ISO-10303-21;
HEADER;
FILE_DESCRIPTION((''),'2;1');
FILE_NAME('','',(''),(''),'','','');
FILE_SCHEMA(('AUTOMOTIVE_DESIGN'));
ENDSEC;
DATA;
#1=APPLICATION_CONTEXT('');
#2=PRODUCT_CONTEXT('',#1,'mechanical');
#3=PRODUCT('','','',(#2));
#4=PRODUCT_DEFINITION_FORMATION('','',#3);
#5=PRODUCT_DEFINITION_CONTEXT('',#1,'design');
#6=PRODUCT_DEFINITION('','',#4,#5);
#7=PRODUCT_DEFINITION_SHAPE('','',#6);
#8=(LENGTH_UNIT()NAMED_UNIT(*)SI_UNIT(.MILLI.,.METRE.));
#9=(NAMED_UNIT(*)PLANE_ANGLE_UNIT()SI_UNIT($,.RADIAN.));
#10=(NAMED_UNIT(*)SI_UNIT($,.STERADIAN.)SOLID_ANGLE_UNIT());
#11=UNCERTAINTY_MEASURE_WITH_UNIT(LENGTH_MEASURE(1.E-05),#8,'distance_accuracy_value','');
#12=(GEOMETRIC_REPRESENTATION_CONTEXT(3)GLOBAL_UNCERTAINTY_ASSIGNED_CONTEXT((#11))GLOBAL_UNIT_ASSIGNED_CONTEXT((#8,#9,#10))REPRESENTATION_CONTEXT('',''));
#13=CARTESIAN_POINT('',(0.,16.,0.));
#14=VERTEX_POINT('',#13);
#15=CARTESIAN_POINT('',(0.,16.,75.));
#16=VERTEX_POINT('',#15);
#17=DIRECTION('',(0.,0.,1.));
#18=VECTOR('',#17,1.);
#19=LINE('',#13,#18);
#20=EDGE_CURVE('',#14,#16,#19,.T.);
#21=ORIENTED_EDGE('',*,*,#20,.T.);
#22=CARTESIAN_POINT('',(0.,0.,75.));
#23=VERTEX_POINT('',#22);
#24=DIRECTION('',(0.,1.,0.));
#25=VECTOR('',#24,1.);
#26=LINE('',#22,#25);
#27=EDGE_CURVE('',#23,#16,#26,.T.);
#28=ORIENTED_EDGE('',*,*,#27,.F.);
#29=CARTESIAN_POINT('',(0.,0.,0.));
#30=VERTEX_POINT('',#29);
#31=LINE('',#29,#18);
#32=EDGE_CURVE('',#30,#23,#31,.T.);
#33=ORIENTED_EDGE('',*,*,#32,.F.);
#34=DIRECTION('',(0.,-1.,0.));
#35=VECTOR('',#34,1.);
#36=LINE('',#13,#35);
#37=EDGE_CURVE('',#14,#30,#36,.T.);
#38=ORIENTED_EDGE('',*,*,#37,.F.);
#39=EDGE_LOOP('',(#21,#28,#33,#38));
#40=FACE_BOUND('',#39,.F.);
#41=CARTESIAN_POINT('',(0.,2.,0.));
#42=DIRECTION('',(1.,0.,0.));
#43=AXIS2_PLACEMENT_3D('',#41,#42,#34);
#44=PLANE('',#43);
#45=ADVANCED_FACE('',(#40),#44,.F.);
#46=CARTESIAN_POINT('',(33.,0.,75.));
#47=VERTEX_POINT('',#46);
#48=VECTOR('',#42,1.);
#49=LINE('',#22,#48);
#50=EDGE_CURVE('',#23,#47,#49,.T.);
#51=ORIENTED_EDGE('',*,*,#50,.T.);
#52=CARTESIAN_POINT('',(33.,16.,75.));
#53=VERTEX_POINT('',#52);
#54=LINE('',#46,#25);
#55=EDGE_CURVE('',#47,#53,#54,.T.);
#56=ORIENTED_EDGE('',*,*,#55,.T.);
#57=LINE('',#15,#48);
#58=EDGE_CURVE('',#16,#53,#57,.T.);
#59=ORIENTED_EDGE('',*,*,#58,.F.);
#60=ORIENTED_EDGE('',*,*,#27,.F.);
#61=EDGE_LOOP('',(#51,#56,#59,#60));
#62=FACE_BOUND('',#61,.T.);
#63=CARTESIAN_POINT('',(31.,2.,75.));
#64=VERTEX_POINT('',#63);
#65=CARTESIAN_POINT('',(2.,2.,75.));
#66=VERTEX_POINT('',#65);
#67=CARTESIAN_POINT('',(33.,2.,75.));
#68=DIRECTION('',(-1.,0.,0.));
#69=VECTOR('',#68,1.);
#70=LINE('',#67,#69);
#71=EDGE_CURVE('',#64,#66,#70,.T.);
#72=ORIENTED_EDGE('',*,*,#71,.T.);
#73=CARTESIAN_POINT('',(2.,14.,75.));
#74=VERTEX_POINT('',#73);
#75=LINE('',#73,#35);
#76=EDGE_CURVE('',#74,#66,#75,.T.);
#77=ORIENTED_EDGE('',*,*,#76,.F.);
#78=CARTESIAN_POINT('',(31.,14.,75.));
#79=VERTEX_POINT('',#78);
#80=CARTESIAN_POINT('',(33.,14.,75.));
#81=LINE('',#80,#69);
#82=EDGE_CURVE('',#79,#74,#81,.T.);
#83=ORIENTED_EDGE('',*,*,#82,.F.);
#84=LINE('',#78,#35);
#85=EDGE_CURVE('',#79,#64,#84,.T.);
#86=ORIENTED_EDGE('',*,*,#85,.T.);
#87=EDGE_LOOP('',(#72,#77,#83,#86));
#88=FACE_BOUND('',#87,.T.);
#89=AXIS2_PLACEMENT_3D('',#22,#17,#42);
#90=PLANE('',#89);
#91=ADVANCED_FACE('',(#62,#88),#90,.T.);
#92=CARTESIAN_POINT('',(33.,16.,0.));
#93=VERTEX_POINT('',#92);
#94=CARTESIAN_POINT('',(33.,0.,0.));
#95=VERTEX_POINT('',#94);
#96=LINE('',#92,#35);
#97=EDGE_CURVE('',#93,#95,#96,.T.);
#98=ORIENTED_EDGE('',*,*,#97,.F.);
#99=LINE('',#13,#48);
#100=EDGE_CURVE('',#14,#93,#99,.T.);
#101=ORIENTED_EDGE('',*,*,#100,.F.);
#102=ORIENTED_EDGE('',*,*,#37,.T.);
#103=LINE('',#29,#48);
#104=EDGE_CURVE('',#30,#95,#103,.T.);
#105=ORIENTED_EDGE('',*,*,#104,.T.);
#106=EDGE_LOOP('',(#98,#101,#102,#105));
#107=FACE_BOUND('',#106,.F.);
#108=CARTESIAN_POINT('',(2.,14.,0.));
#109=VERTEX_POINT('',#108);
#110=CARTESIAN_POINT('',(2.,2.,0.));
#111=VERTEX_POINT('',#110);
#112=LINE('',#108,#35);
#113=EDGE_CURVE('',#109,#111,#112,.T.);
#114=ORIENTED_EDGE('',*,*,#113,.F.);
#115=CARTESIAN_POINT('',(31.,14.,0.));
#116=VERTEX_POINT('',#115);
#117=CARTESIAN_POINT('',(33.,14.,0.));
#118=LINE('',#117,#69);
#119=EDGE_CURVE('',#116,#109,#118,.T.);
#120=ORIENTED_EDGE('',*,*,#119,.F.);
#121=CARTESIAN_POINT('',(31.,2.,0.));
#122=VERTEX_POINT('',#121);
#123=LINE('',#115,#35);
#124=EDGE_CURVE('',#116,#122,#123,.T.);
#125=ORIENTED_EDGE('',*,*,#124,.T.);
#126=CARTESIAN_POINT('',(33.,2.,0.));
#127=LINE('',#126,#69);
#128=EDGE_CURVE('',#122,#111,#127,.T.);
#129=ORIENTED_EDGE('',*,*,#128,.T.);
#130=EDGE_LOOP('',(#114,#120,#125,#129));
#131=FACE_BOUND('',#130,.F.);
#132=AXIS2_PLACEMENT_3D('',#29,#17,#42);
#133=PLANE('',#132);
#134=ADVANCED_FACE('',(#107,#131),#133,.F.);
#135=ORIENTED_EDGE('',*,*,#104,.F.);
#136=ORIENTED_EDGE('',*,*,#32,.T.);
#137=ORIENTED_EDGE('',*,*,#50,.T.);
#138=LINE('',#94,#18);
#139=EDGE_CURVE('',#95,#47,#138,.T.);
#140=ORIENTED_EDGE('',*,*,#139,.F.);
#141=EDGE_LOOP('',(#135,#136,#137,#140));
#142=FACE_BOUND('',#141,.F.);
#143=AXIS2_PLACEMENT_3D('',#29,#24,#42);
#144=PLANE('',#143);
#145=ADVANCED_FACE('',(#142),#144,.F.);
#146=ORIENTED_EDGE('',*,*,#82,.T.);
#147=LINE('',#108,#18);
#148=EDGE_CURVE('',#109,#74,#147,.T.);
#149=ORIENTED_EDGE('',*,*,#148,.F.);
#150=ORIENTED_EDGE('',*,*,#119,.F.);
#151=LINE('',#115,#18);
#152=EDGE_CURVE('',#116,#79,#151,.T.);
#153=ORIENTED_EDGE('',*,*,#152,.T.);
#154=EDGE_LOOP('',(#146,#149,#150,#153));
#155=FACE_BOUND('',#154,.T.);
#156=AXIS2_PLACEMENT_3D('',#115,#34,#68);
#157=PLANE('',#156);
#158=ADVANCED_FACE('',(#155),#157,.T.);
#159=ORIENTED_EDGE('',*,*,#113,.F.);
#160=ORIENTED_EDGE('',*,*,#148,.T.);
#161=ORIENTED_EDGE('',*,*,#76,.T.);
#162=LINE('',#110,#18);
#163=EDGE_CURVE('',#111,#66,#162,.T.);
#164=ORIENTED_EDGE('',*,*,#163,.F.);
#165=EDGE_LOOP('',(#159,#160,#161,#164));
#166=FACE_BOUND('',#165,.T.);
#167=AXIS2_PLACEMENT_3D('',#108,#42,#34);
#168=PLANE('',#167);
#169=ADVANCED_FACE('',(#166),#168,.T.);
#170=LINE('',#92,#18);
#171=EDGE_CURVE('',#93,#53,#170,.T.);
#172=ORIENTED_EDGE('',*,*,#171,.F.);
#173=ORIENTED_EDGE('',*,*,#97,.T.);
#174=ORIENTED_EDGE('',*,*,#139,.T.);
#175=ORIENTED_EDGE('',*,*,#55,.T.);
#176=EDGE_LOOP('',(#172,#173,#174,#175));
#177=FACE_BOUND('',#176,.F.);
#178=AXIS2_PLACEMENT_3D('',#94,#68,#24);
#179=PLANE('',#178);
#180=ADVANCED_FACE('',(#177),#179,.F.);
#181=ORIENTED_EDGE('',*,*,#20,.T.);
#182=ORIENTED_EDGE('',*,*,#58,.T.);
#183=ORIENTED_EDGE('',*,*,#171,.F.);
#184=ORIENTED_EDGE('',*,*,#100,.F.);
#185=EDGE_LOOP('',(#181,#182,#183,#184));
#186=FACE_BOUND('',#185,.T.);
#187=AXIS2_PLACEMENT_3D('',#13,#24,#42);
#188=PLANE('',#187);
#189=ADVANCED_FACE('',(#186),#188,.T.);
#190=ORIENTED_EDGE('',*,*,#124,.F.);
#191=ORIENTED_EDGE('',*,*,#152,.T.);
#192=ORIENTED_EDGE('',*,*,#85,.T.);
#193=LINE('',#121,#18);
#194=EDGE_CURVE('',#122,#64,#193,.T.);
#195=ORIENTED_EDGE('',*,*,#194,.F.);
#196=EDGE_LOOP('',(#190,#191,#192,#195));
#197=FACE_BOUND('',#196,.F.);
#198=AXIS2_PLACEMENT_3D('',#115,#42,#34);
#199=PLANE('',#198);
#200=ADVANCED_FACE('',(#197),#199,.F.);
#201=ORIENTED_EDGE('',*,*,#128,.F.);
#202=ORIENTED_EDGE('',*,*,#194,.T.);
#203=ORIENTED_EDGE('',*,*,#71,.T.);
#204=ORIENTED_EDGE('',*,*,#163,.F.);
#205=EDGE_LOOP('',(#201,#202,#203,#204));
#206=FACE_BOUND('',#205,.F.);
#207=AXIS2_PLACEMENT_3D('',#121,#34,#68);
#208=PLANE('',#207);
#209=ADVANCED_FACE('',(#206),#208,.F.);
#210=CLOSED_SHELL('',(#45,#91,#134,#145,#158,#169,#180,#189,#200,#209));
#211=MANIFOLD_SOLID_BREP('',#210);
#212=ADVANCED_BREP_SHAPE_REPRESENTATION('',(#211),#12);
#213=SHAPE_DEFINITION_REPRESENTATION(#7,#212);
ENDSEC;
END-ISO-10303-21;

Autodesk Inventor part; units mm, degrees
ref_plane "YZ Plane" through (0, 0, 0) normal (1, 0, 0) x (0, 1, 0)
ref_plane "XZ Plane" through (0, 0, 0) normal (0, 1, 0) x (-1, 0, 0)
ref_plane "XY Plane" through (0, 0, 0) normal (0, 0, 1) x (1, 0, 0)
sketch "Sketch1" plane through (0, 0, 0) normal (0, 0, 1) x (1, 0, 0)
  line L0 (0, 0) -> (33, 0)
  line L1 (33, 0) -> (33, 2)
  line L2 (33, 2) -> (0, 2)
  line L3 (0, 2) -> (0, 0)
  line L4 (0, 16) -> (33, 16)
  line L5 (33, 16) -> (33, 14)
  line L6 (33, 14) -> (0, 14)
  line L7 (0, 14) -> (0, 16)
  line L8 (33, 14) -> (31, 14)
  line L9 (31, 14) -> (31, 2)
  line L10 (31, 2) -> (33, 2)
  line L11 (33, 2) -> (33, 14)
  line L12 (0, 14) -> (2, 14)
  line L13 (2, 14) -> (2, 2)
  line L14 (2, 2) -> (0, 2)
  line L15 (0, 2) -> (0, 14)
  point P0 (31, 2)
  point P1 (2, 2)
  dimension "d0" = 2
  dimension "d1" = 12
  dimension "d2" = 29
  dimension "d5" = 2
  dimension "d6" = 2
extrude "Extrusion1" add sketch "Sketch1" along normal blind 75 contours L3 L2 L1 L0 | L15 L6 L13 L2 | L2 L9 L6 L11 | L7 L4 L5 L6
properties part number "Electronics Lid"
